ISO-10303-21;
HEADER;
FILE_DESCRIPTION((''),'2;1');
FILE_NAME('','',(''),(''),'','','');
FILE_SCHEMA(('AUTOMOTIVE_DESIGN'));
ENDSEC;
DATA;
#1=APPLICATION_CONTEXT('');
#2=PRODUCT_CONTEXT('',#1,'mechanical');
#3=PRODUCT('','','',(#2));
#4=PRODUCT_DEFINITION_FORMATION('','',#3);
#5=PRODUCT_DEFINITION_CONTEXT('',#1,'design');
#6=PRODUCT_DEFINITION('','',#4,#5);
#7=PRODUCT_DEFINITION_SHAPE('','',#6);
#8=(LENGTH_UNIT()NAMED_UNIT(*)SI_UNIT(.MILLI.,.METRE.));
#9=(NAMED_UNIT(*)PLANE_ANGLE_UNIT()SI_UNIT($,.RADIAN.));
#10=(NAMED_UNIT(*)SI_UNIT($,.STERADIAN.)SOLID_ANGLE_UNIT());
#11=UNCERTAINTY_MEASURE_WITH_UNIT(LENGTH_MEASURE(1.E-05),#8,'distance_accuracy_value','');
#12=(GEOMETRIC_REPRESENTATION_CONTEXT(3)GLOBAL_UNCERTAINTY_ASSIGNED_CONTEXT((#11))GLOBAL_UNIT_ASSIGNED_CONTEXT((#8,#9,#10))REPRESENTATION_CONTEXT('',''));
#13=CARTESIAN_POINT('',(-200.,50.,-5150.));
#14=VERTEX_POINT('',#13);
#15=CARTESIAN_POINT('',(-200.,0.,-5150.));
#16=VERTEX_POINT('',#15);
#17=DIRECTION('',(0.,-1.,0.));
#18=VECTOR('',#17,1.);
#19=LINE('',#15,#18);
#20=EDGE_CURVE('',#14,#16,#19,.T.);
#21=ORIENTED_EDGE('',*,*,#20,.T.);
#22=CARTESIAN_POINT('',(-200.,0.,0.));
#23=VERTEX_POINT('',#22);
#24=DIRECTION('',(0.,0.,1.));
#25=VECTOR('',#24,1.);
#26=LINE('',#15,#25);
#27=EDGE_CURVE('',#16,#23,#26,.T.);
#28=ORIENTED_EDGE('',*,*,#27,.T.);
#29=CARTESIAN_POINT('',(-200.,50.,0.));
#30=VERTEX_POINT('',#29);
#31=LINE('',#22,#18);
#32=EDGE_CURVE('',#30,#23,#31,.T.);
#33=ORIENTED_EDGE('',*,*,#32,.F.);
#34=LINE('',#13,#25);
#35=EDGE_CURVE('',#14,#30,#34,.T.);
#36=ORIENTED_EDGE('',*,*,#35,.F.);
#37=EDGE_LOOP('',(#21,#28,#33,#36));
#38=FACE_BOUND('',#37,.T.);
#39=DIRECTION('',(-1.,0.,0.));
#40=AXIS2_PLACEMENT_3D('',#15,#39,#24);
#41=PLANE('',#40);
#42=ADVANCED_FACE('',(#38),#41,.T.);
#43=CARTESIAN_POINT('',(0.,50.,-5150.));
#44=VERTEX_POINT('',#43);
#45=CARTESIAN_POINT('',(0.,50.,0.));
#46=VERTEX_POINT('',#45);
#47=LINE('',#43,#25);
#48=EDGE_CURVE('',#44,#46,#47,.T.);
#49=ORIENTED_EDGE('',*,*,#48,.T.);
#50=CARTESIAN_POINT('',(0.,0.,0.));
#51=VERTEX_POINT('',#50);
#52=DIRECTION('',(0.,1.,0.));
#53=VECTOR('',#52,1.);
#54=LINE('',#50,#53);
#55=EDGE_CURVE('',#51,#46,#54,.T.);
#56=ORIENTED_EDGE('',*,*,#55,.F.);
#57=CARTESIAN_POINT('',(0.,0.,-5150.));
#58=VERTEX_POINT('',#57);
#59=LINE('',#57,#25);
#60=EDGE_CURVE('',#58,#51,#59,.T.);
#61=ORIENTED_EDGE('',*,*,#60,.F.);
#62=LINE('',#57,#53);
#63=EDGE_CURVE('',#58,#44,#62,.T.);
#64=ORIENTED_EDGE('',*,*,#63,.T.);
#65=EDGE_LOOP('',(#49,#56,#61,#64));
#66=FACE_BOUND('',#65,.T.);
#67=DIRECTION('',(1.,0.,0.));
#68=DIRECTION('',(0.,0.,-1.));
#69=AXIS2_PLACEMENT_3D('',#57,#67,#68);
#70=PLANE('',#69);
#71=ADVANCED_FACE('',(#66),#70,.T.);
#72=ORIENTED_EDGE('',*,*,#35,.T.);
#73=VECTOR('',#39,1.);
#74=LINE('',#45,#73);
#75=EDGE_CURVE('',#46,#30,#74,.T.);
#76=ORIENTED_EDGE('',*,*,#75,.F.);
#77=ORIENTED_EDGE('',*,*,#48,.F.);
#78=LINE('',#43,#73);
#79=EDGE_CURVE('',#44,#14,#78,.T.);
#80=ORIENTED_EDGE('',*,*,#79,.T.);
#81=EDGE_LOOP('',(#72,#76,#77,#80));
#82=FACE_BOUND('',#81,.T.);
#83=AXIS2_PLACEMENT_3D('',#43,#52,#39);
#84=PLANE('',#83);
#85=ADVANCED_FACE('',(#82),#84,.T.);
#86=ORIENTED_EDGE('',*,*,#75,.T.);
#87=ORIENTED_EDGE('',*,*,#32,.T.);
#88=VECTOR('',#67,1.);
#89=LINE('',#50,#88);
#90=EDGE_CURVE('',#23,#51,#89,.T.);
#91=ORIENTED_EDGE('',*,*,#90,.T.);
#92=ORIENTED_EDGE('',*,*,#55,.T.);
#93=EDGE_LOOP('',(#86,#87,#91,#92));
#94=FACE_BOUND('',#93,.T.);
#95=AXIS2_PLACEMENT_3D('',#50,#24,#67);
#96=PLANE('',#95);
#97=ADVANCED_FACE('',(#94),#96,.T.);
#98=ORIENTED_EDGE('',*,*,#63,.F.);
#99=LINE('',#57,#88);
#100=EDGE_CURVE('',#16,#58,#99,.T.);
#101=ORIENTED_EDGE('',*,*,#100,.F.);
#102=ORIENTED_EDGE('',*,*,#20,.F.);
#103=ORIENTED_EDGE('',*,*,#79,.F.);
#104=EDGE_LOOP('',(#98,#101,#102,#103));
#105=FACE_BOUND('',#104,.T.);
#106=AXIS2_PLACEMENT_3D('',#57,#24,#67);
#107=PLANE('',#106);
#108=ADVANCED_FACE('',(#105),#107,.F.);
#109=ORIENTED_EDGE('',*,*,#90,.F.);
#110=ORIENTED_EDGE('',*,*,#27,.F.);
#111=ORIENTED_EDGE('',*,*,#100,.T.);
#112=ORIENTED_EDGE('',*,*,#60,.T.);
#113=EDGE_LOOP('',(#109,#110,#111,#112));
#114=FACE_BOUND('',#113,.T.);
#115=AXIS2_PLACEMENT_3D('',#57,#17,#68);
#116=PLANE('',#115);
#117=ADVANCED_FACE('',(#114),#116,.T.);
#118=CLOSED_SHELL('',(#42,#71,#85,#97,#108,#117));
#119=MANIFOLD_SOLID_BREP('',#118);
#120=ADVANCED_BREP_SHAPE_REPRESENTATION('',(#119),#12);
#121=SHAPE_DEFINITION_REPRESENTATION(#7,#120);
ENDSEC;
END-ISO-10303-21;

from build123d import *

# Parameters (mm, degrees)
SKETCH_1_W      = 200
SKETCH_1_H      = 50
EXTRUDE_1_DEPTH = 5150


with BuildPart() as part:
    # Эскиз1 → Бобышка-Вытянуть1 (new body)
    with BuildSketch(Plane.XY):
        with Locations((-100, 25)):
            Rectangle(SKETCH_1_W, SKETCH_1_H)
    extrude(amount=-EXTRUDE_1_DEPTH)


solid = part.part
